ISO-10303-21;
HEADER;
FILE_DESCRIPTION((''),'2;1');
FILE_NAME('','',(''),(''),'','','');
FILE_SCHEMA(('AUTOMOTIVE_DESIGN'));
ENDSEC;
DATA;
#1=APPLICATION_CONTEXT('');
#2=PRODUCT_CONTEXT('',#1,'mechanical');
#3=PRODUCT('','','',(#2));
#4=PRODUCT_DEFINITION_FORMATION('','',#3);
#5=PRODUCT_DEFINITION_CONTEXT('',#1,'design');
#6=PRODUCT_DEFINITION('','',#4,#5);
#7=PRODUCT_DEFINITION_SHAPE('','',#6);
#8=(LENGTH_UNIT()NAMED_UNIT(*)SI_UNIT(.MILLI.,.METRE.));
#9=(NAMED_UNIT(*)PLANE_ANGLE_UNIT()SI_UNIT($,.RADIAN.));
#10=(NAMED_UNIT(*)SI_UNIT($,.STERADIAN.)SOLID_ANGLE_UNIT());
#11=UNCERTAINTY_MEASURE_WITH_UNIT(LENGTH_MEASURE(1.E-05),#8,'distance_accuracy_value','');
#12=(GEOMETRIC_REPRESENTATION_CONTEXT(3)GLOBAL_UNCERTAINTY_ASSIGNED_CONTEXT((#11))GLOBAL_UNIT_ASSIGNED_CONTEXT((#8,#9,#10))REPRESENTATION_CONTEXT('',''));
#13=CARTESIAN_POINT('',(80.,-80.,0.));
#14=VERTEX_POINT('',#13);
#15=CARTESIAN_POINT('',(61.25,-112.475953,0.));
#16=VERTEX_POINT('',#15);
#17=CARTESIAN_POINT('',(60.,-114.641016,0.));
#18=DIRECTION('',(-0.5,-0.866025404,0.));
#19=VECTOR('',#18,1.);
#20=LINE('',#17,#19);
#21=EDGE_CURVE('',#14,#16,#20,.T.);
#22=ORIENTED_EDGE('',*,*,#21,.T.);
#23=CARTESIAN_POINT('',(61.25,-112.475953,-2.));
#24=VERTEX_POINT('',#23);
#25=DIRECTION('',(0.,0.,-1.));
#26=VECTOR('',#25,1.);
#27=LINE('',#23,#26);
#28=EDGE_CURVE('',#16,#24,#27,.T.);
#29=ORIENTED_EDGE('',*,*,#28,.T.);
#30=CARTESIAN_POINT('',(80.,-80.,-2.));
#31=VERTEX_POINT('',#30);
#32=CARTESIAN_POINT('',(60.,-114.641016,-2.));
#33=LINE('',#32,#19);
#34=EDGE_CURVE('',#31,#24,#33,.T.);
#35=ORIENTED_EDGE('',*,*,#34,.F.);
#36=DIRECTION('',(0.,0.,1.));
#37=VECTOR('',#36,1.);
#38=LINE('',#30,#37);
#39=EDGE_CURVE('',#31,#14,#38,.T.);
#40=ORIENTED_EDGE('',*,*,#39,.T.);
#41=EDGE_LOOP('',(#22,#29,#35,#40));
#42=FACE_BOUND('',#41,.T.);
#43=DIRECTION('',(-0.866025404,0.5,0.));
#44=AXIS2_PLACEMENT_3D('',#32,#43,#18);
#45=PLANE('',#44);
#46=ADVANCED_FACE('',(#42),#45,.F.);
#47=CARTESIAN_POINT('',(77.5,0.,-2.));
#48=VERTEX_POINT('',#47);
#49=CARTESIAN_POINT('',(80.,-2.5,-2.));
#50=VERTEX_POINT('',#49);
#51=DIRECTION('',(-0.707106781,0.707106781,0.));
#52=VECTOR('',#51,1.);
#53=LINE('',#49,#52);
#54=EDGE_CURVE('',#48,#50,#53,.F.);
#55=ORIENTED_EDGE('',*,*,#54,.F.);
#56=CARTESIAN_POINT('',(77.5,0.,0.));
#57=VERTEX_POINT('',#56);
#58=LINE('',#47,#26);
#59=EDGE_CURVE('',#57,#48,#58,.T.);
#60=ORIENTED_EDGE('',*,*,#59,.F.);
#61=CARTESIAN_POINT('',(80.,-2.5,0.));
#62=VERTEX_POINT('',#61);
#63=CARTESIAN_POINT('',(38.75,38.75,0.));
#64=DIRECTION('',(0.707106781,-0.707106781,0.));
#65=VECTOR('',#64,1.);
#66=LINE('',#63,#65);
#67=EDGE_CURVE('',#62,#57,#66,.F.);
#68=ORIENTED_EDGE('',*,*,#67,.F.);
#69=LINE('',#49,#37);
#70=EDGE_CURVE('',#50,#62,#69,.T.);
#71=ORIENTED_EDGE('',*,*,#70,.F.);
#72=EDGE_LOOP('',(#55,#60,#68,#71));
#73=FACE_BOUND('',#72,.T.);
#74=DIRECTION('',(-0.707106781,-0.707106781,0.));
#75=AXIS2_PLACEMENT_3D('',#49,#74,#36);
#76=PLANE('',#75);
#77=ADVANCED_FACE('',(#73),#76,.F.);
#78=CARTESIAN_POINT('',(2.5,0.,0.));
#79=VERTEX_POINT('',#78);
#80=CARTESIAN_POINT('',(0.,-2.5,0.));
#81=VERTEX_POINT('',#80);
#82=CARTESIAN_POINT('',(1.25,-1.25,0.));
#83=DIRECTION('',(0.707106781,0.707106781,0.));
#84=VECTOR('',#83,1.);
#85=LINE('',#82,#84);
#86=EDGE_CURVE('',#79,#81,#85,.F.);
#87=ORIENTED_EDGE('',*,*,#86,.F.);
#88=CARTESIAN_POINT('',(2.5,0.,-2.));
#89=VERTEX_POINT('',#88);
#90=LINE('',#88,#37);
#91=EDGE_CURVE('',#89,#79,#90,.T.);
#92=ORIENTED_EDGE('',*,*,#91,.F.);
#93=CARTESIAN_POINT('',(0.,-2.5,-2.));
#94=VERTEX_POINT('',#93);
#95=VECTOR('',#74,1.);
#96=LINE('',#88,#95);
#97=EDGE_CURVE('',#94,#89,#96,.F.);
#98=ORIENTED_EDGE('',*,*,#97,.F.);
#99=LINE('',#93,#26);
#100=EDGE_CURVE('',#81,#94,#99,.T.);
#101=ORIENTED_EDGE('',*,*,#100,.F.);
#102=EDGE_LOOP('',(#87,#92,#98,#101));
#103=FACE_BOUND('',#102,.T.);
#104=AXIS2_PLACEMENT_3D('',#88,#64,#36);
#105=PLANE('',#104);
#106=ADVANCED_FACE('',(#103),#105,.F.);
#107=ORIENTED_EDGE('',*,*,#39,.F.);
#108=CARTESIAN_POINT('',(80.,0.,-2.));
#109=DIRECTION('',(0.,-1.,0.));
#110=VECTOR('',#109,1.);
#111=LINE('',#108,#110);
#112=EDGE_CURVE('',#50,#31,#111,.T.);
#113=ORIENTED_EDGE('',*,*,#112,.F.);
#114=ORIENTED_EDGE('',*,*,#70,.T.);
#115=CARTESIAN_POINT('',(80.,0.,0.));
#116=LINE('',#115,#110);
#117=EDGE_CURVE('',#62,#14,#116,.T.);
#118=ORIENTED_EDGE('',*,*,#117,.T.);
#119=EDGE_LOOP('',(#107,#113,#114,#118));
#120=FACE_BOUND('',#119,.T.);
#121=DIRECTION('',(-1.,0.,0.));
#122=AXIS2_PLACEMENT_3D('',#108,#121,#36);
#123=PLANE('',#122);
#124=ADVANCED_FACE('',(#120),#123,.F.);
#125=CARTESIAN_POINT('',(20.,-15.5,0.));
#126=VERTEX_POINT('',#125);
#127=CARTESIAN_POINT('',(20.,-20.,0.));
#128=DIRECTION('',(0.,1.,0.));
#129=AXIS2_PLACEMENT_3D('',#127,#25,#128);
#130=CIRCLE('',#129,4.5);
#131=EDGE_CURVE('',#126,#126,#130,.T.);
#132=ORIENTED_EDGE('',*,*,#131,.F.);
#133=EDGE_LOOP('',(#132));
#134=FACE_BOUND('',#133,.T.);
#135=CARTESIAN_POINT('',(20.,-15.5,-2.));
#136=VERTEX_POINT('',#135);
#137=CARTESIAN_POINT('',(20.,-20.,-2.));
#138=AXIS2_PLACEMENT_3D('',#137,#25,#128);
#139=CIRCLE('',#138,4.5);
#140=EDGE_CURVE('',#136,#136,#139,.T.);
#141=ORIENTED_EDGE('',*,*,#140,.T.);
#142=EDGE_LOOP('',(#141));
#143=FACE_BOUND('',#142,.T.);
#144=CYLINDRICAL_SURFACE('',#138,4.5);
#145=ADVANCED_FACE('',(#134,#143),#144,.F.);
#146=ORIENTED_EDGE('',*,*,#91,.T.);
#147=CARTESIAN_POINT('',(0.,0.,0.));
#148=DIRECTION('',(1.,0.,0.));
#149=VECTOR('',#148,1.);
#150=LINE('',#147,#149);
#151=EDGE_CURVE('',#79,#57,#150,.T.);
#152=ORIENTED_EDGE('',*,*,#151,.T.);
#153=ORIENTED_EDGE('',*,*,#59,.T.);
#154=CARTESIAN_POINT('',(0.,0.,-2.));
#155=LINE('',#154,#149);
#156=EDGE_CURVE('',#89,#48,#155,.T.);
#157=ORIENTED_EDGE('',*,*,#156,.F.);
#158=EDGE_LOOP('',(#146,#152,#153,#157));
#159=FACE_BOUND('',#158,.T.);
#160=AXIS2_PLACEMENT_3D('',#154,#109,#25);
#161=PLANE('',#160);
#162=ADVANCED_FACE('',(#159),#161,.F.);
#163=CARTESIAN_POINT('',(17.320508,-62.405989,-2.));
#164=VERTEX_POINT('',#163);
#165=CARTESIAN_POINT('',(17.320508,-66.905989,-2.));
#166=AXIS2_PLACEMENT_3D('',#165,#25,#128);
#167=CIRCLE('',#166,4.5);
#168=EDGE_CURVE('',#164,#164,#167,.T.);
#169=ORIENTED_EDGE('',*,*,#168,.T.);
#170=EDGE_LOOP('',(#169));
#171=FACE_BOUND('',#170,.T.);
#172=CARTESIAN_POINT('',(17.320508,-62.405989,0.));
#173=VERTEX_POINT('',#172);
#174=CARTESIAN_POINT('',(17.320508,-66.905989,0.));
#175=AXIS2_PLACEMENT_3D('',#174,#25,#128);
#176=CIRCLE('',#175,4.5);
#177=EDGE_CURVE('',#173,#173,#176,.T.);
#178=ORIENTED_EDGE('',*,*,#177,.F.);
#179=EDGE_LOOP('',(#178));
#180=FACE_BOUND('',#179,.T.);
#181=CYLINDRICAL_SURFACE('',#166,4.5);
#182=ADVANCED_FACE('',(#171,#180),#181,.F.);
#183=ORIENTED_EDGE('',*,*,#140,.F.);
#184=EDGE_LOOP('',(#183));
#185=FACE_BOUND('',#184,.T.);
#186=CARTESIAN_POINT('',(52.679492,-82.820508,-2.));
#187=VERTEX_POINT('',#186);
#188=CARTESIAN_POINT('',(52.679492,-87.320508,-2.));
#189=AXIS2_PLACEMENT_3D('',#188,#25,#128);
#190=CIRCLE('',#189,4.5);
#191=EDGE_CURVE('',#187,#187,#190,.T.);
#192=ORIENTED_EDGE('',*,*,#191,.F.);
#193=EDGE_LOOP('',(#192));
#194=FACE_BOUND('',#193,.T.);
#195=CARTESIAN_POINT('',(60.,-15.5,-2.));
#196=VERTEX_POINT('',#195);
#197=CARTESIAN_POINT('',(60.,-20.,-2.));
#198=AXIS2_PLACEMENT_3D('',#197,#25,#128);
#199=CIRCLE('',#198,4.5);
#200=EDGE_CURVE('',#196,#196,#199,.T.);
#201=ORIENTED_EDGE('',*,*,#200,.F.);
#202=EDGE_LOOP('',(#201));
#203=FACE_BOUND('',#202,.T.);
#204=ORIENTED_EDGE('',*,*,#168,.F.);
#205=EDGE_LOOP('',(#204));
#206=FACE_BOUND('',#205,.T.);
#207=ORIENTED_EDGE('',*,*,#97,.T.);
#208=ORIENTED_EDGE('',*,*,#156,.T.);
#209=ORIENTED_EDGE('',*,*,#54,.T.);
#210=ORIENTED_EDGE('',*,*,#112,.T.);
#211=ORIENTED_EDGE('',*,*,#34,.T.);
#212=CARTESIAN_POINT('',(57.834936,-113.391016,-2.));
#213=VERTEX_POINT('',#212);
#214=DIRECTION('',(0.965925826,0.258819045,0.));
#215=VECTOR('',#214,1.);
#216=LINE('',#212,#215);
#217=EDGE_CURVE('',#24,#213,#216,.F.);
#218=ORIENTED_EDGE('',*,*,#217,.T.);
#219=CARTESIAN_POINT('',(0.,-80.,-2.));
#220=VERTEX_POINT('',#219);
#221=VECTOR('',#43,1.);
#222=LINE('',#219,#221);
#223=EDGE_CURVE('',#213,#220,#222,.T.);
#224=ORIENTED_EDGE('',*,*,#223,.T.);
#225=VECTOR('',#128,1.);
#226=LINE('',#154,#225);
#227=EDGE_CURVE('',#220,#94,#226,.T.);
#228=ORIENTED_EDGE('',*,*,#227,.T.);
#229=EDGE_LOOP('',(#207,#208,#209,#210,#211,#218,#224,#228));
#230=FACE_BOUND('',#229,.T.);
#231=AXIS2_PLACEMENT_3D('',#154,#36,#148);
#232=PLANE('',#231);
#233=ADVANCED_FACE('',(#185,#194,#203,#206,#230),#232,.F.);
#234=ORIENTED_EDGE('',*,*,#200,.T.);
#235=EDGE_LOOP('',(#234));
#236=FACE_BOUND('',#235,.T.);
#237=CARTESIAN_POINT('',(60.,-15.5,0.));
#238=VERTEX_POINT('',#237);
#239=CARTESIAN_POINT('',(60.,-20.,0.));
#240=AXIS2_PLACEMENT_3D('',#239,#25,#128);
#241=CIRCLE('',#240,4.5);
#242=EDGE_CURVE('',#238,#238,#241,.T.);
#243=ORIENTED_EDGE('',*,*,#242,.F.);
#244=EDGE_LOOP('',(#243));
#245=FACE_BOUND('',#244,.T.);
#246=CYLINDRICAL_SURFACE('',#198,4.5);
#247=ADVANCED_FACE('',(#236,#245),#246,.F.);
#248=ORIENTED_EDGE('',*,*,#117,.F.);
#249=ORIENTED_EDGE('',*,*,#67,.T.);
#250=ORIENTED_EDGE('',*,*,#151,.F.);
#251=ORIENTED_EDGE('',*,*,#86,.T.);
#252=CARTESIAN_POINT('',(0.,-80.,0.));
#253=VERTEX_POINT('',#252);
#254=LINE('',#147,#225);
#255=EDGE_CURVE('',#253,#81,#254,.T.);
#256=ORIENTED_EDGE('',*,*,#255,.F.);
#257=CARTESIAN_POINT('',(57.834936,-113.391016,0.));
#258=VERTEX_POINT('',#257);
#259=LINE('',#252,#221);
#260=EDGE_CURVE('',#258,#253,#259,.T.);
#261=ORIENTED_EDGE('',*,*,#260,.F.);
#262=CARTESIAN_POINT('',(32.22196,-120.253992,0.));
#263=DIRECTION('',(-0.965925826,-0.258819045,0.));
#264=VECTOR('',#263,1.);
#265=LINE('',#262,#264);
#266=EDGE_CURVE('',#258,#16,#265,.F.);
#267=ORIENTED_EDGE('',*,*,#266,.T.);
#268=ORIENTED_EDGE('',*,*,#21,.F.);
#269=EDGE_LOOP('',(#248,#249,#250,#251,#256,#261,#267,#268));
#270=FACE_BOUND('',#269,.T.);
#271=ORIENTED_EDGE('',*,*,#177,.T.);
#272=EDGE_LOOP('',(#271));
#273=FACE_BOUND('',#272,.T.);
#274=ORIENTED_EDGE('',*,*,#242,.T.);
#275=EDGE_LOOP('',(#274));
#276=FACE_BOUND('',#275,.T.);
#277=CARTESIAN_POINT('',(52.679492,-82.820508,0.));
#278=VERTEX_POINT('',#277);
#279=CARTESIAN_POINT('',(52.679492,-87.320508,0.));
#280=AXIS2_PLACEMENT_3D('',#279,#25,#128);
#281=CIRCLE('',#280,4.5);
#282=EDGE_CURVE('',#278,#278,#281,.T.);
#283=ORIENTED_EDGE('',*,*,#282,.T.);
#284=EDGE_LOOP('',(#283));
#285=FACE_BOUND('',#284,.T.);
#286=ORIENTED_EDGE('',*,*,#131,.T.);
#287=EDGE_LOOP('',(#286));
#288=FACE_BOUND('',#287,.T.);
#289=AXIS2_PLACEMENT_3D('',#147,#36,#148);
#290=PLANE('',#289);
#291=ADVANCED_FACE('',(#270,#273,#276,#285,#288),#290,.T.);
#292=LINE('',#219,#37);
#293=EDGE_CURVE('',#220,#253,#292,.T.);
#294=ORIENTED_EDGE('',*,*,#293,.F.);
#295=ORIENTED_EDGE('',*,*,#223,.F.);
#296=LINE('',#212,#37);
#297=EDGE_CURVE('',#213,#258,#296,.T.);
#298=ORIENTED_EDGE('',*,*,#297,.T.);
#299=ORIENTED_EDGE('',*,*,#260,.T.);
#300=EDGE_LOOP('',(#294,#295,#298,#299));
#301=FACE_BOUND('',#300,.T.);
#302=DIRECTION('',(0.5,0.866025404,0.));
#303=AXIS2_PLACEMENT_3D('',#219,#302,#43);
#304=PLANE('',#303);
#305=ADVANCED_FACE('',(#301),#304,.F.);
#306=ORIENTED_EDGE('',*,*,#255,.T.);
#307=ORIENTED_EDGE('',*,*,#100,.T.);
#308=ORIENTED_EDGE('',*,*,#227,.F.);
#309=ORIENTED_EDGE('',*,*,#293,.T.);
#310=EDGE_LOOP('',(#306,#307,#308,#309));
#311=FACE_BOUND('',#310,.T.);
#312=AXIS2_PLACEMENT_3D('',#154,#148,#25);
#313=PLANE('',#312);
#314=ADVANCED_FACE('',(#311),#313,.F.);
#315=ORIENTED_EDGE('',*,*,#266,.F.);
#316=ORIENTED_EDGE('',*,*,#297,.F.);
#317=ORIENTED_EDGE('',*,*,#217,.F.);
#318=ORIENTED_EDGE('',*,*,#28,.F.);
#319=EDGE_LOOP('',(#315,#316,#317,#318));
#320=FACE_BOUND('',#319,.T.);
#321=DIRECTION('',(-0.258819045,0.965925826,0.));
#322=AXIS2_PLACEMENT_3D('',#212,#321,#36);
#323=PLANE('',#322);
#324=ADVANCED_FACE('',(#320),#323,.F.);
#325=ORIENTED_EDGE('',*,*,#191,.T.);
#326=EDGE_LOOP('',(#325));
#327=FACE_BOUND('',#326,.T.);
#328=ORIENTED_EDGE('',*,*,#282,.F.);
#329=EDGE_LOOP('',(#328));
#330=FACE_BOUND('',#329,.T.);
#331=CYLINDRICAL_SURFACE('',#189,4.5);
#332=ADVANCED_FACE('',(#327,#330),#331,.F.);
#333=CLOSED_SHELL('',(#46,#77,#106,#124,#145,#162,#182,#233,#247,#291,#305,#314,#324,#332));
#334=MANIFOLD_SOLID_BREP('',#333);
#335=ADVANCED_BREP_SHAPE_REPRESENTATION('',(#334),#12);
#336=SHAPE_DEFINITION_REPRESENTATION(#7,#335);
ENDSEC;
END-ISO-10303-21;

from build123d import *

# Parameters (mm, degrees)
EXTRUDE_1_DEPTH   = 2
HOLE_WIZARD_M81_D = 9
CHAMFER_1_SIZE    = 2.5


with BuildPart() as part:
    # Эскиз3 → Бобышка-Вытянуть1 (new body)
    with BuildSketch(Plane(origin=(0, 0, 0), x_dir=(1, 0, 0), z_dir=(0, 0, -1))):
        Polygon((0, 0), (80, 0), (80, 80), (60, 114.641016151), (0, 80), align=None)
    extrude(amount=EXTRUDE_1_DEPTH)

    # Отверстие с зазором M81 (through all)
    with Locations(Plane(origin=(0, 0, -2), x_dir=(1, 0, 0), z_dir=(0, 0, -1))):
        with Locations((20, 20), (60, 20), (17.320508076, 66.905989232), (52.679491924, 87.320508076)):
            Hole(HOLE_WIZARD_M81_D / 2)

    # Фаска1
    chamfer_1_edges = [part.edges().sort_by_distance(p)[0] for p in [
        (60, -114.641016151, -1),
        (80, 0, -1),
        (0, 0, -1),
    ]]
    chamfer(chamfer_1_edges, length=CHAMFER_1_SIZE)


solid = part.part
